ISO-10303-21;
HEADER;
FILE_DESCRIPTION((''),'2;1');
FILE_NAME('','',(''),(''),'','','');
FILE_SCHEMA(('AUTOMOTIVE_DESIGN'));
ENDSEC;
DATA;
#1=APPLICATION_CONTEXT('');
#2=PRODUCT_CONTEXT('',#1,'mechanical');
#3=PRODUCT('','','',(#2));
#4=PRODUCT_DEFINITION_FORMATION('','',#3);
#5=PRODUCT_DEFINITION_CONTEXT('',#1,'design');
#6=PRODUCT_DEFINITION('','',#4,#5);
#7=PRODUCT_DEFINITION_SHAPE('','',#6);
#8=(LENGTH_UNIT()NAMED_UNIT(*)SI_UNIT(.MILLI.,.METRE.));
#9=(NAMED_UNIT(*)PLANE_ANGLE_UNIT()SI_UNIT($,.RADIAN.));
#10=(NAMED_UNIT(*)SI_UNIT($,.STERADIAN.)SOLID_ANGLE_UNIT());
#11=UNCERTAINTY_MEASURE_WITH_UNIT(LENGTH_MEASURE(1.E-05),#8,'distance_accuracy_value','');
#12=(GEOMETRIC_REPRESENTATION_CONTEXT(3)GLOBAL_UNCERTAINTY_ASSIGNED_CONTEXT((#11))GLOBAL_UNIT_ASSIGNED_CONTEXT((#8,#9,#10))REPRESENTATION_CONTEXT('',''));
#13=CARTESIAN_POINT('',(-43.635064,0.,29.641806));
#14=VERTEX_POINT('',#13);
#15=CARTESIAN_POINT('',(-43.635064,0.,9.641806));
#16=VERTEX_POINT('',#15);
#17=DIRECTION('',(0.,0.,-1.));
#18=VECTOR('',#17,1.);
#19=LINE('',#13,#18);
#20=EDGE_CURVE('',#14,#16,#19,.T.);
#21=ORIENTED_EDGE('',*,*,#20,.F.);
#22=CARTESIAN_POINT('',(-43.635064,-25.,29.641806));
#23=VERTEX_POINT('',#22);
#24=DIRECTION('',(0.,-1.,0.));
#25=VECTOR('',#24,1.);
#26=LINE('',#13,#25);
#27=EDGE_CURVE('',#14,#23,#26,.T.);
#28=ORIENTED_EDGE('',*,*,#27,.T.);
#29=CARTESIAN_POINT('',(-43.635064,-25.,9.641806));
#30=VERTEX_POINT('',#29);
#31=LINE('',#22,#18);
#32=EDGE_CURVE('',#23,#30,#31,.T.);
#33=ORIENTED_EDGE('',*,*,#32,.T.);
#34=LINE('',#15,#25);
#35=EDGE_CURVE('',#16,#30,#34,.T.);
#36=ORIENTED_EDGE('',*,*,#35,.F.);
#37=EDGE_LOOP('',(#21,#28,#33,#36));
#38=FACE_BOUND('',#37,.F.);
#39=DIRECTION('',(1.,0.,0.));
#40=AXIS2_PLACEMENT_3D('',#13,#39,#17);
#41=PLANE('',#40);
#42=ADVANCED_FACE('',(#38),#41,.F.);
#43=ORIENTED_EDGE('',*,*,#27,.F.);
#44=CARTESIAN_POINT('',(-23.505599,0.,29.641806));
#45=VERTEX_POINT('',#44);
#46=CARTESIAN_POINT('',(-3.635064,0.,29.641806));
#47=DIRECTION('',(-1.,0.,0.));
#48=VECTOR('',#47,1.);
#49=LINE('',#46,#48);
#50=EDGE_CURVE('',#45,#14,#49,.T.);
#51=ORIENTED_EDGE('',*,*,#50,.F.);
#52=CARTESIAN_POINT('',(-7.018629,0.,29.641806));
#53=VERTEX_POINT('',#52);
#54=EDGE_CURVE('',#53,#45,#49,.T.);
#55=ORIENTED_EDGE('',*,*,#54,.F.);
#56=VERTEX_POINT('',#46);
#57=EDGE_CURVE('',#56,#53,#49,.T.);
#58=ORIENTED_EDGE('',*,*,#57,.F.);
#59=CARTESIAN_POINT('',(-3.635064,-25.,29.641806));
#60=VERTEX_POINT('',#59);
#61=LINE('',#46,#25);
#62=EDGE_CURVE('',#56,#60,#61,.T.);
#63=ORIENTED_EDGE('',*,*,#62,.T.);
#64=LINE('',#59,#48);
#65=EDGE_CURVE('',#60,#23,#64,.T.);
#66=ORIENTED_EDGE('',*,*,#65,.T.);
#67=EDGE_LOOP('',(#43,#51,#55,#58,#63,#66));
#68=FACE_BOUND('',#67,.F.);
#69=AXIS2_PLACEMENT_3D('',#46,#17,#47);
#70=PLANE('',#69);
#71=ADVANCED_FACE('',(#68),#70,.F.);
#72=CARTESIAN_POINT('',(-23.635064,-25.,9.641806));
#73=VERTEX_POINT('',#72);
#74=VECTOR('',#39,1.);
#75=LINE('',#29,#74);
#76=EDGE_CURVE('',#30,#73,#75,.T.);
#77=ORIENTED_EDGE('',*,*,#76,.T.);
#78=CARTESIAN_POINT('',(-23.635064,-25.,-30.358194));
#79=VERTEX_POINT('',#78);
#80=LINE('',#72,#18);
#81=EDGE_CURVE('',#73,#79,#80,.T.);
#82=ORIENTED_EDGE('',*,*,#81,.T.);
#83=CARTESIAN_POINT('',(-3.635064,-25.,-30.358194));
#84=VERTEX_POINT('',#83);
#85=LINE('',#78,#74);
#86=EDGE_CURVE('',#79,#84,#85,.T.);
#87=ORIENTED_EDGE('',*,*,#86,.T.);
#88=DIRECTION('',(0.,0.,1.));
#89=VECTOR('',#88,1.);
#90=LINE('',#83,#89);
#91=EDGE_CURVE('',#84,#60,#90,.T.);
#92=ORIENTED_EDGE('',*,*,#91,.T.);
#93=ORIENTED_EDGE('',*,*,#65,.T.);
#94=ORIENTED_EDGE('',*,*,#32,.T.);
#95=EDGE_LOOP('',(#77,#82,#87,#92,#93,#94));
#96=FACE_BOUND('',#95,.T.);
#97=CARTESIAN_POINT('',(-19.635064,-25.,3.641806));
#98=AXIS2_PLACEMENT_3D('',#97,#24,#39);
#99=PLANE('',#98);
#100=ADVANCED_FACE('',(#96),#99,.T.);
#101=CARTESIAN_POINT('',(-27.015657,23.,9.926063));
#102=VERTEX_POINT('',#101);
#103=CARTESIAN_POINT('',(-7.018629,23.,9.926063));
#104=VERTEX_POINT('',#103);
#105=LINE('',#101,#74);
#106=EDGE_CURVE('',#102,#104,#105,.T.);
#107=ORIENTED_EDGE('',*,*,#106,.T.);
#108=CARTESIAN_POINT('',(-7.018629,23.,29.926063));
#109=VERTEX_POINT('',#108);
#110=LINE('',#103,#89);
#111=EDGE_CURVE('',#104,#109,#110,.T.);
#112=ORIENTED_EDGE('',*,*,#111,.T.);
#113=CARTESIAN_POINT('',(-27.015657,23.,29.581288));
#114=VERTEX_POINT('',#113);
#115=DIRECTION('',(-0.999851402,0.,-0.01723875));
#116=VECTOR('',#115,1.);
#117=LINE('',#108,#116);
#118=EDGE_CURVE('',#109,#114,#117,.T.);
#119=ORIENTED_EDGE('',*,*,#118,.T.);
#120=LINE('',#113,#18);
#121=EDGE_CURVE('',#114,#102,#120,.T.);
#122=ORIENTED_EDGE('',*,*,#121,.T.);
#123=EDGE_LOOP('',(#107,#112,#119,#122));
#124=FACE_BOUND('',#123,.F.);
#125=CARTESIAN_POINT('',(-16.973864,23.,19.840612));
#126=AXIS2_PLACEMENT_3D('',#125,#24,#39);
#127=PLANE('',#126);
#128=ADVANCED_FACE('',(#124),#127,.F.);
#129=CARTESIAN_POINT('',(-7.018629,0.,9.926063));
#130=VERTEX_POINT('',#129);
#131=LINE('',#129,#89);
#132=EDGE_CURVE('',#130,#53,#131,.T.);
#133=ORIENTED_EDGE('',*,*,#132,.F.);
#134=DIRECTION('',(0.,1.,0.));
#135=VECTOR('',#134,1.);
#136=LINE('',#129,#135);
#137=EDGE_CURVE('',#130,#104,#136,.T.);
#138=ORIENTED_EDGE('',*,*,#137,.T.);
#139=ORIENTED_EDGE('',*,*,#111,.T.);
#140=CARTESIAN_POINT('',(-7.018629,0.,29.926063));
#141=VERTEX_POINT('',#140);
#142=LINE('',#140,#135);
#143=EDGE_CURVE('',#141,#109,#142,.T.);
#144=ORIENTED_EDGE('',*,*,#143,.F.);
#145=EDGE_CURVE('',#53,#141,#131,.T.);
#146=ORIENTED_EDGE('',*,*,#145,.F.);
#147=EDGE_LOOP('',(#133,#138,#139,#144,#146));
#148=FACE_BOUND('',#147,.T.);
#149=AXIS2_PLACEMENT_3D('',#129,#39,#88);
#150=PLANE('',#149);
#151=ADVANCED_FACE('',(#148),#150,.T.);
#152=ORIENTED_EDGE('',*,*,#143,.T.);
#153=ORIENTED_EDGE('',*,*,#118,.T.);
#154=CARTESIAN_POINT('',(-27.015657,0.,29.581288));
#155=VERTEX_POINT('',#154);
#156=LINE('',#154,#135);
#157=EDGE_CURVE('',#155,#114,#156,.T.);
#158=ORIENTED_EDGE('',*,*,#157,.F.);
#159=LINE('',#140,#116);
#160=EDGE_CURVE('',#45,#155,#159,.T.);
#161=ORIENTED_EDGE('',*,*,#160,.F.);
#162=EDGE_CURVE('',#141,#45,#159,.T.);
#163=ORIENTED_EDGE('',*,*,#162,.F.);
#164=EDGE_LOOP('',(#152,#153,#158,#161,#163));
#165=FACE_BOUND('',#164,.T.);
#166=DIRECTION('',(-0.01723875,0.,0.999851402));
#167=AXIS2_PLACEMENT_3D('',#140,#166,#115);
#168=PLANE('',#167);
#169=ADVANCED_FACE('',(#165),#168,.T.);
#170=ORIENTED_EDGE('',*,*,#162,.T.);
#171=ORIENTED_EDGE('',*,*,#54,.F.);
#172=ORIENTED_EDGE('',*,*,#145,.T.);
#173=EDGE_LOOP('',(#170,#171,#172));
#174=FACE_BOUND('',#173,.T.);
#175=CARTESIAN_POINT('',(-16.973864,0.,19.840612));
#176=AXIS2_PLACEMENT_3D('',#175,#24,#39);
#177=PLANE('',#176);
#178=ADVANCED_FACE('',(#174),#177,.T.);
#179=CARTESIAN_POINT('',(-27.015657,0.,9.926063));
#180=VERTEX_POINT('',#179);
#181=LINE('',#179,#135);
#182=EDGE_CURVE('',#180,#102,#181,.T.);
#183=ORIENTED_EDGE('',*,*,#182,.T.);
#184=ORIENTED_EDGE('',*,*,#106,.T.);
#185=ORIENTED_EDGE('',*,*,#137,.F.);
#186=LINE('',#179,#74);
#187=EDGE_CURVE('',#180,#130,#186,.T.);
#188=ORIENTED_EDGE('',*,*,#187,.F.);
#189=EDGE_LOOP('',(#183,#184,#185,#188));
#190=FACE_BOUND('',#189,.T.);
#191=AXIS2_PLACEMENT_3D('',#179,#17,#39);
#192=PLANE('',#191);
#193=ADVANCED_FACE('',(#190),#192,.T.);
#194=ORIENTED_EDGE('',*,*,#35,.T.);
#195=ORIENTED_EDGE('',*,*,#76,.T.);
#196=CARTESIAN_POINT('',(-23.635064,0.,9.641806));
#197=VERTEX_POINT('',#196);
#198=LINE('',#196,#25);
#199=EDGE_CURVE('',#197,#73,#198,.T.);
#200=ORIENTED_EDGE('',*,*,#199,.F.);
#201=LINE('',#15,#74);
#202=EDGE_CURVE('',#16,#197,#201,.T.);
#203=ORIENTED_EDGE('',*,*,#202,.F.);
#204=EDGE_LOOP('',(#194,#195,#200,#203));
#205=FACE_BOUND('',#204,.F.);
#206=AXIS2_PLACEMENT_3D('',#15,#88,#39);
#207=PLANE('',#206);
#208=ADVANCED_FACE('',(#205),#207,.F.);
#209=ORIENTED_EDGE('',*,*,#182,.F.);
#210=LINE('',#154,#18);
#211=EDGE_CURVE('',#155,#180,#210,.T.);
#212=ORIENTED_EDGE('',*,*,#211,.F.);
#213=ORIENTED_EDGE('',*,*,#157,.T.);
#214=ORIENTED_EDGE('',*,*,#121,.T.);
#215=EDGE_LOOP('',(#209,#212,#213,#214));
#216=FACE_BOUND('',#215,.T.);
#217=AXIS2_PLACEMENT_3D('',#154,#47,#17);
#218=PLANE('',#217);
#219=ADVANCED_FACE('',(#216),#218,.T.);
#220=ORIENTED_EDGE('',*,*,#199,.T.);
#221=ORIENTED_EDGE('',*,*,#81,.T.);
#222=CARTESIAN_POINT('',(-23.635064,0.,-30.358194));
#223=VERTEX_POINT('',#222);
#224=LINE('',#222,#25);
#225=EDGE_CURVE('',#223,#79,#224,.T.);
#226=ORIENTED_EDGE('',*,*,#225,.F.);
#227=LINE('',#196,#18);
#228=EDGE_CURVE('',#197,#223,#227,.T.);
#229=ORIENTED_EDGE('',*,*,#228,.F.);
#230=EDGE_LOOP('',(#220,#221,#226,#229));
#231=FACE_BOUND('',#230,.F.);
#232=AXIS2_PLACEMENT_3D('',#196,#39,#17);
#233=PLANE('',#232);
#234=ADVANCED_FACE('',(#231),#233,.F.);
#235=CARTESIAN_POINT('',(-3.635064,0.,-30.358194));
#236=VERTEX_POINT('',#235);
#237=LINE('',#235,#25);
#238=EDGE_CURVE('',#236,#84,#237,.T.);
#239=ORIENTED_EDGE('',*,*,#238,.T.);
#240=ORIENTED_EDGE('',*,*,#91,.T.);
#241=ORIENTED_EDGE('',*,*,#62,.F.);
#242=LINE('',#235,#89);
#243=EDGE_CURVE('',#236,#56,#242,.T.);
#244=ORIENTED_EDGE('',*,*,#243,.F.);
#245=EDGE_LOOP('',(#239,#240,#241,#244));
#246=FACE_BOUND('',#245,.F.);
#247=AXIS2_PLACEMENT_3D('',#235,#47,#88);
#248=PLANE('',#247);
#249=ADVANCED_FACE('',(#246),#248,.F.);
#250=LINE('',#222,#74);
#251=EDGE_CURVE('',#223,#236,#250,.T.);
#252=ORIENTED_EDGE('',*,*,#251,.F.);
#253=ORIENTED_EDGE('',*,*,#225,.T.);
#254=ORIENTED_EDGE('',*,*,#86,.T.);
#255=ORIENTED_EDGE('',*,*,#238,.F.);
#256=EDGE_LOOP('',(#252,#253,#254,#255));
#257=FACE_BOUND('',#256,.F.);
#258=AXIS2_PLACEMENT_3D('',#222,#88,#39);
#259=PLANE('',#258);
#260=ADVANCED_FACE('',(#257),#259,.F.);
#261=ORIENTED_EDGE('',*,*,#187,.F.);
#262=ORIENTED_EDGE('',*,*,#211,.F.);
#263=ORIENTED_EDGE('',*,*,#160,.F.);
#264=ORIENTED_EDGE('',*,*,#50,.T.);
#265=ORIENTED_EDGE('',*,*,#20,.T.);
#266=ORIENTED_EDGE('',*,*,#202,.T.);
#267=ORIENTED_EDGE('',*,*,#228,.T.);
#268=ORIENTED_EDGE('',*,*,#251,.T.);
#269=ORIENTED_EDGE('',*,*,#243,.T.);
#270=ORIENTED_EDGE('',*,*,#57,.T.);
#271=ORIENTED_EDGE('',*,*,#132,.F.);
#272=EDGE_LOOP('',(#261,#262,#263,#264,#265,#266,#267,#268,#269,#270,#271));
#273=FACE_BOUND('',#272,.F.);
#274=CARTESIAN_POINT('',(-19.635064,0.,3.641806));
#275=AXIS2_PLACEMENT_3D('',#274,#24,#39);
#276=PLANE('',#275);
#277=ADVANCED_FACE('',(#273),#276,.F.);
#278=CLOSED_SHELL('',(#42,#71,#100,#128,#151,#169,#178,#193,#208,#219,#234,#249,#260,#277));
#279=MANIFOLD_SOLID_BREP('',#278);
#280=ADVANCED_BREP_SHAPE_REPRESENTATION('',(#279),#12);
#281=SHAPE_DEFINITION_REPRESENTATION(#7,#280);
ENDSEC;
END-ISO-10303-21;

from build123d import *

# Parameters (mm, degrees)
F1_DEPTH = 23
F3_DEPTH = 25


with BuildPart() as f1:
    # F0 (on Front) → F1 (new body)
    with BuildSketch(Plane.XZ):
        Polygon((-7.018629, 9.926063), (-7.018629, 29.926063), (-27.015657, 29.581288), (-27.015657, 9.926063), align=None)
    extrude(amount=-F1_DEPTH)

    # F2 (on Front) → F3 (join)
    with BuildSketch(Plane.XZ):
        Polygon((-3.635064, -30.358194), (-3.635064, 29.641806), (-43.635064, 29.641806), (-43.635064, 9.641806), (-23.635064, 9.641806), (-23.635064, -30.358194), align=None)
    extrude(amount=F3_DEPTH)


solid = f1.part
